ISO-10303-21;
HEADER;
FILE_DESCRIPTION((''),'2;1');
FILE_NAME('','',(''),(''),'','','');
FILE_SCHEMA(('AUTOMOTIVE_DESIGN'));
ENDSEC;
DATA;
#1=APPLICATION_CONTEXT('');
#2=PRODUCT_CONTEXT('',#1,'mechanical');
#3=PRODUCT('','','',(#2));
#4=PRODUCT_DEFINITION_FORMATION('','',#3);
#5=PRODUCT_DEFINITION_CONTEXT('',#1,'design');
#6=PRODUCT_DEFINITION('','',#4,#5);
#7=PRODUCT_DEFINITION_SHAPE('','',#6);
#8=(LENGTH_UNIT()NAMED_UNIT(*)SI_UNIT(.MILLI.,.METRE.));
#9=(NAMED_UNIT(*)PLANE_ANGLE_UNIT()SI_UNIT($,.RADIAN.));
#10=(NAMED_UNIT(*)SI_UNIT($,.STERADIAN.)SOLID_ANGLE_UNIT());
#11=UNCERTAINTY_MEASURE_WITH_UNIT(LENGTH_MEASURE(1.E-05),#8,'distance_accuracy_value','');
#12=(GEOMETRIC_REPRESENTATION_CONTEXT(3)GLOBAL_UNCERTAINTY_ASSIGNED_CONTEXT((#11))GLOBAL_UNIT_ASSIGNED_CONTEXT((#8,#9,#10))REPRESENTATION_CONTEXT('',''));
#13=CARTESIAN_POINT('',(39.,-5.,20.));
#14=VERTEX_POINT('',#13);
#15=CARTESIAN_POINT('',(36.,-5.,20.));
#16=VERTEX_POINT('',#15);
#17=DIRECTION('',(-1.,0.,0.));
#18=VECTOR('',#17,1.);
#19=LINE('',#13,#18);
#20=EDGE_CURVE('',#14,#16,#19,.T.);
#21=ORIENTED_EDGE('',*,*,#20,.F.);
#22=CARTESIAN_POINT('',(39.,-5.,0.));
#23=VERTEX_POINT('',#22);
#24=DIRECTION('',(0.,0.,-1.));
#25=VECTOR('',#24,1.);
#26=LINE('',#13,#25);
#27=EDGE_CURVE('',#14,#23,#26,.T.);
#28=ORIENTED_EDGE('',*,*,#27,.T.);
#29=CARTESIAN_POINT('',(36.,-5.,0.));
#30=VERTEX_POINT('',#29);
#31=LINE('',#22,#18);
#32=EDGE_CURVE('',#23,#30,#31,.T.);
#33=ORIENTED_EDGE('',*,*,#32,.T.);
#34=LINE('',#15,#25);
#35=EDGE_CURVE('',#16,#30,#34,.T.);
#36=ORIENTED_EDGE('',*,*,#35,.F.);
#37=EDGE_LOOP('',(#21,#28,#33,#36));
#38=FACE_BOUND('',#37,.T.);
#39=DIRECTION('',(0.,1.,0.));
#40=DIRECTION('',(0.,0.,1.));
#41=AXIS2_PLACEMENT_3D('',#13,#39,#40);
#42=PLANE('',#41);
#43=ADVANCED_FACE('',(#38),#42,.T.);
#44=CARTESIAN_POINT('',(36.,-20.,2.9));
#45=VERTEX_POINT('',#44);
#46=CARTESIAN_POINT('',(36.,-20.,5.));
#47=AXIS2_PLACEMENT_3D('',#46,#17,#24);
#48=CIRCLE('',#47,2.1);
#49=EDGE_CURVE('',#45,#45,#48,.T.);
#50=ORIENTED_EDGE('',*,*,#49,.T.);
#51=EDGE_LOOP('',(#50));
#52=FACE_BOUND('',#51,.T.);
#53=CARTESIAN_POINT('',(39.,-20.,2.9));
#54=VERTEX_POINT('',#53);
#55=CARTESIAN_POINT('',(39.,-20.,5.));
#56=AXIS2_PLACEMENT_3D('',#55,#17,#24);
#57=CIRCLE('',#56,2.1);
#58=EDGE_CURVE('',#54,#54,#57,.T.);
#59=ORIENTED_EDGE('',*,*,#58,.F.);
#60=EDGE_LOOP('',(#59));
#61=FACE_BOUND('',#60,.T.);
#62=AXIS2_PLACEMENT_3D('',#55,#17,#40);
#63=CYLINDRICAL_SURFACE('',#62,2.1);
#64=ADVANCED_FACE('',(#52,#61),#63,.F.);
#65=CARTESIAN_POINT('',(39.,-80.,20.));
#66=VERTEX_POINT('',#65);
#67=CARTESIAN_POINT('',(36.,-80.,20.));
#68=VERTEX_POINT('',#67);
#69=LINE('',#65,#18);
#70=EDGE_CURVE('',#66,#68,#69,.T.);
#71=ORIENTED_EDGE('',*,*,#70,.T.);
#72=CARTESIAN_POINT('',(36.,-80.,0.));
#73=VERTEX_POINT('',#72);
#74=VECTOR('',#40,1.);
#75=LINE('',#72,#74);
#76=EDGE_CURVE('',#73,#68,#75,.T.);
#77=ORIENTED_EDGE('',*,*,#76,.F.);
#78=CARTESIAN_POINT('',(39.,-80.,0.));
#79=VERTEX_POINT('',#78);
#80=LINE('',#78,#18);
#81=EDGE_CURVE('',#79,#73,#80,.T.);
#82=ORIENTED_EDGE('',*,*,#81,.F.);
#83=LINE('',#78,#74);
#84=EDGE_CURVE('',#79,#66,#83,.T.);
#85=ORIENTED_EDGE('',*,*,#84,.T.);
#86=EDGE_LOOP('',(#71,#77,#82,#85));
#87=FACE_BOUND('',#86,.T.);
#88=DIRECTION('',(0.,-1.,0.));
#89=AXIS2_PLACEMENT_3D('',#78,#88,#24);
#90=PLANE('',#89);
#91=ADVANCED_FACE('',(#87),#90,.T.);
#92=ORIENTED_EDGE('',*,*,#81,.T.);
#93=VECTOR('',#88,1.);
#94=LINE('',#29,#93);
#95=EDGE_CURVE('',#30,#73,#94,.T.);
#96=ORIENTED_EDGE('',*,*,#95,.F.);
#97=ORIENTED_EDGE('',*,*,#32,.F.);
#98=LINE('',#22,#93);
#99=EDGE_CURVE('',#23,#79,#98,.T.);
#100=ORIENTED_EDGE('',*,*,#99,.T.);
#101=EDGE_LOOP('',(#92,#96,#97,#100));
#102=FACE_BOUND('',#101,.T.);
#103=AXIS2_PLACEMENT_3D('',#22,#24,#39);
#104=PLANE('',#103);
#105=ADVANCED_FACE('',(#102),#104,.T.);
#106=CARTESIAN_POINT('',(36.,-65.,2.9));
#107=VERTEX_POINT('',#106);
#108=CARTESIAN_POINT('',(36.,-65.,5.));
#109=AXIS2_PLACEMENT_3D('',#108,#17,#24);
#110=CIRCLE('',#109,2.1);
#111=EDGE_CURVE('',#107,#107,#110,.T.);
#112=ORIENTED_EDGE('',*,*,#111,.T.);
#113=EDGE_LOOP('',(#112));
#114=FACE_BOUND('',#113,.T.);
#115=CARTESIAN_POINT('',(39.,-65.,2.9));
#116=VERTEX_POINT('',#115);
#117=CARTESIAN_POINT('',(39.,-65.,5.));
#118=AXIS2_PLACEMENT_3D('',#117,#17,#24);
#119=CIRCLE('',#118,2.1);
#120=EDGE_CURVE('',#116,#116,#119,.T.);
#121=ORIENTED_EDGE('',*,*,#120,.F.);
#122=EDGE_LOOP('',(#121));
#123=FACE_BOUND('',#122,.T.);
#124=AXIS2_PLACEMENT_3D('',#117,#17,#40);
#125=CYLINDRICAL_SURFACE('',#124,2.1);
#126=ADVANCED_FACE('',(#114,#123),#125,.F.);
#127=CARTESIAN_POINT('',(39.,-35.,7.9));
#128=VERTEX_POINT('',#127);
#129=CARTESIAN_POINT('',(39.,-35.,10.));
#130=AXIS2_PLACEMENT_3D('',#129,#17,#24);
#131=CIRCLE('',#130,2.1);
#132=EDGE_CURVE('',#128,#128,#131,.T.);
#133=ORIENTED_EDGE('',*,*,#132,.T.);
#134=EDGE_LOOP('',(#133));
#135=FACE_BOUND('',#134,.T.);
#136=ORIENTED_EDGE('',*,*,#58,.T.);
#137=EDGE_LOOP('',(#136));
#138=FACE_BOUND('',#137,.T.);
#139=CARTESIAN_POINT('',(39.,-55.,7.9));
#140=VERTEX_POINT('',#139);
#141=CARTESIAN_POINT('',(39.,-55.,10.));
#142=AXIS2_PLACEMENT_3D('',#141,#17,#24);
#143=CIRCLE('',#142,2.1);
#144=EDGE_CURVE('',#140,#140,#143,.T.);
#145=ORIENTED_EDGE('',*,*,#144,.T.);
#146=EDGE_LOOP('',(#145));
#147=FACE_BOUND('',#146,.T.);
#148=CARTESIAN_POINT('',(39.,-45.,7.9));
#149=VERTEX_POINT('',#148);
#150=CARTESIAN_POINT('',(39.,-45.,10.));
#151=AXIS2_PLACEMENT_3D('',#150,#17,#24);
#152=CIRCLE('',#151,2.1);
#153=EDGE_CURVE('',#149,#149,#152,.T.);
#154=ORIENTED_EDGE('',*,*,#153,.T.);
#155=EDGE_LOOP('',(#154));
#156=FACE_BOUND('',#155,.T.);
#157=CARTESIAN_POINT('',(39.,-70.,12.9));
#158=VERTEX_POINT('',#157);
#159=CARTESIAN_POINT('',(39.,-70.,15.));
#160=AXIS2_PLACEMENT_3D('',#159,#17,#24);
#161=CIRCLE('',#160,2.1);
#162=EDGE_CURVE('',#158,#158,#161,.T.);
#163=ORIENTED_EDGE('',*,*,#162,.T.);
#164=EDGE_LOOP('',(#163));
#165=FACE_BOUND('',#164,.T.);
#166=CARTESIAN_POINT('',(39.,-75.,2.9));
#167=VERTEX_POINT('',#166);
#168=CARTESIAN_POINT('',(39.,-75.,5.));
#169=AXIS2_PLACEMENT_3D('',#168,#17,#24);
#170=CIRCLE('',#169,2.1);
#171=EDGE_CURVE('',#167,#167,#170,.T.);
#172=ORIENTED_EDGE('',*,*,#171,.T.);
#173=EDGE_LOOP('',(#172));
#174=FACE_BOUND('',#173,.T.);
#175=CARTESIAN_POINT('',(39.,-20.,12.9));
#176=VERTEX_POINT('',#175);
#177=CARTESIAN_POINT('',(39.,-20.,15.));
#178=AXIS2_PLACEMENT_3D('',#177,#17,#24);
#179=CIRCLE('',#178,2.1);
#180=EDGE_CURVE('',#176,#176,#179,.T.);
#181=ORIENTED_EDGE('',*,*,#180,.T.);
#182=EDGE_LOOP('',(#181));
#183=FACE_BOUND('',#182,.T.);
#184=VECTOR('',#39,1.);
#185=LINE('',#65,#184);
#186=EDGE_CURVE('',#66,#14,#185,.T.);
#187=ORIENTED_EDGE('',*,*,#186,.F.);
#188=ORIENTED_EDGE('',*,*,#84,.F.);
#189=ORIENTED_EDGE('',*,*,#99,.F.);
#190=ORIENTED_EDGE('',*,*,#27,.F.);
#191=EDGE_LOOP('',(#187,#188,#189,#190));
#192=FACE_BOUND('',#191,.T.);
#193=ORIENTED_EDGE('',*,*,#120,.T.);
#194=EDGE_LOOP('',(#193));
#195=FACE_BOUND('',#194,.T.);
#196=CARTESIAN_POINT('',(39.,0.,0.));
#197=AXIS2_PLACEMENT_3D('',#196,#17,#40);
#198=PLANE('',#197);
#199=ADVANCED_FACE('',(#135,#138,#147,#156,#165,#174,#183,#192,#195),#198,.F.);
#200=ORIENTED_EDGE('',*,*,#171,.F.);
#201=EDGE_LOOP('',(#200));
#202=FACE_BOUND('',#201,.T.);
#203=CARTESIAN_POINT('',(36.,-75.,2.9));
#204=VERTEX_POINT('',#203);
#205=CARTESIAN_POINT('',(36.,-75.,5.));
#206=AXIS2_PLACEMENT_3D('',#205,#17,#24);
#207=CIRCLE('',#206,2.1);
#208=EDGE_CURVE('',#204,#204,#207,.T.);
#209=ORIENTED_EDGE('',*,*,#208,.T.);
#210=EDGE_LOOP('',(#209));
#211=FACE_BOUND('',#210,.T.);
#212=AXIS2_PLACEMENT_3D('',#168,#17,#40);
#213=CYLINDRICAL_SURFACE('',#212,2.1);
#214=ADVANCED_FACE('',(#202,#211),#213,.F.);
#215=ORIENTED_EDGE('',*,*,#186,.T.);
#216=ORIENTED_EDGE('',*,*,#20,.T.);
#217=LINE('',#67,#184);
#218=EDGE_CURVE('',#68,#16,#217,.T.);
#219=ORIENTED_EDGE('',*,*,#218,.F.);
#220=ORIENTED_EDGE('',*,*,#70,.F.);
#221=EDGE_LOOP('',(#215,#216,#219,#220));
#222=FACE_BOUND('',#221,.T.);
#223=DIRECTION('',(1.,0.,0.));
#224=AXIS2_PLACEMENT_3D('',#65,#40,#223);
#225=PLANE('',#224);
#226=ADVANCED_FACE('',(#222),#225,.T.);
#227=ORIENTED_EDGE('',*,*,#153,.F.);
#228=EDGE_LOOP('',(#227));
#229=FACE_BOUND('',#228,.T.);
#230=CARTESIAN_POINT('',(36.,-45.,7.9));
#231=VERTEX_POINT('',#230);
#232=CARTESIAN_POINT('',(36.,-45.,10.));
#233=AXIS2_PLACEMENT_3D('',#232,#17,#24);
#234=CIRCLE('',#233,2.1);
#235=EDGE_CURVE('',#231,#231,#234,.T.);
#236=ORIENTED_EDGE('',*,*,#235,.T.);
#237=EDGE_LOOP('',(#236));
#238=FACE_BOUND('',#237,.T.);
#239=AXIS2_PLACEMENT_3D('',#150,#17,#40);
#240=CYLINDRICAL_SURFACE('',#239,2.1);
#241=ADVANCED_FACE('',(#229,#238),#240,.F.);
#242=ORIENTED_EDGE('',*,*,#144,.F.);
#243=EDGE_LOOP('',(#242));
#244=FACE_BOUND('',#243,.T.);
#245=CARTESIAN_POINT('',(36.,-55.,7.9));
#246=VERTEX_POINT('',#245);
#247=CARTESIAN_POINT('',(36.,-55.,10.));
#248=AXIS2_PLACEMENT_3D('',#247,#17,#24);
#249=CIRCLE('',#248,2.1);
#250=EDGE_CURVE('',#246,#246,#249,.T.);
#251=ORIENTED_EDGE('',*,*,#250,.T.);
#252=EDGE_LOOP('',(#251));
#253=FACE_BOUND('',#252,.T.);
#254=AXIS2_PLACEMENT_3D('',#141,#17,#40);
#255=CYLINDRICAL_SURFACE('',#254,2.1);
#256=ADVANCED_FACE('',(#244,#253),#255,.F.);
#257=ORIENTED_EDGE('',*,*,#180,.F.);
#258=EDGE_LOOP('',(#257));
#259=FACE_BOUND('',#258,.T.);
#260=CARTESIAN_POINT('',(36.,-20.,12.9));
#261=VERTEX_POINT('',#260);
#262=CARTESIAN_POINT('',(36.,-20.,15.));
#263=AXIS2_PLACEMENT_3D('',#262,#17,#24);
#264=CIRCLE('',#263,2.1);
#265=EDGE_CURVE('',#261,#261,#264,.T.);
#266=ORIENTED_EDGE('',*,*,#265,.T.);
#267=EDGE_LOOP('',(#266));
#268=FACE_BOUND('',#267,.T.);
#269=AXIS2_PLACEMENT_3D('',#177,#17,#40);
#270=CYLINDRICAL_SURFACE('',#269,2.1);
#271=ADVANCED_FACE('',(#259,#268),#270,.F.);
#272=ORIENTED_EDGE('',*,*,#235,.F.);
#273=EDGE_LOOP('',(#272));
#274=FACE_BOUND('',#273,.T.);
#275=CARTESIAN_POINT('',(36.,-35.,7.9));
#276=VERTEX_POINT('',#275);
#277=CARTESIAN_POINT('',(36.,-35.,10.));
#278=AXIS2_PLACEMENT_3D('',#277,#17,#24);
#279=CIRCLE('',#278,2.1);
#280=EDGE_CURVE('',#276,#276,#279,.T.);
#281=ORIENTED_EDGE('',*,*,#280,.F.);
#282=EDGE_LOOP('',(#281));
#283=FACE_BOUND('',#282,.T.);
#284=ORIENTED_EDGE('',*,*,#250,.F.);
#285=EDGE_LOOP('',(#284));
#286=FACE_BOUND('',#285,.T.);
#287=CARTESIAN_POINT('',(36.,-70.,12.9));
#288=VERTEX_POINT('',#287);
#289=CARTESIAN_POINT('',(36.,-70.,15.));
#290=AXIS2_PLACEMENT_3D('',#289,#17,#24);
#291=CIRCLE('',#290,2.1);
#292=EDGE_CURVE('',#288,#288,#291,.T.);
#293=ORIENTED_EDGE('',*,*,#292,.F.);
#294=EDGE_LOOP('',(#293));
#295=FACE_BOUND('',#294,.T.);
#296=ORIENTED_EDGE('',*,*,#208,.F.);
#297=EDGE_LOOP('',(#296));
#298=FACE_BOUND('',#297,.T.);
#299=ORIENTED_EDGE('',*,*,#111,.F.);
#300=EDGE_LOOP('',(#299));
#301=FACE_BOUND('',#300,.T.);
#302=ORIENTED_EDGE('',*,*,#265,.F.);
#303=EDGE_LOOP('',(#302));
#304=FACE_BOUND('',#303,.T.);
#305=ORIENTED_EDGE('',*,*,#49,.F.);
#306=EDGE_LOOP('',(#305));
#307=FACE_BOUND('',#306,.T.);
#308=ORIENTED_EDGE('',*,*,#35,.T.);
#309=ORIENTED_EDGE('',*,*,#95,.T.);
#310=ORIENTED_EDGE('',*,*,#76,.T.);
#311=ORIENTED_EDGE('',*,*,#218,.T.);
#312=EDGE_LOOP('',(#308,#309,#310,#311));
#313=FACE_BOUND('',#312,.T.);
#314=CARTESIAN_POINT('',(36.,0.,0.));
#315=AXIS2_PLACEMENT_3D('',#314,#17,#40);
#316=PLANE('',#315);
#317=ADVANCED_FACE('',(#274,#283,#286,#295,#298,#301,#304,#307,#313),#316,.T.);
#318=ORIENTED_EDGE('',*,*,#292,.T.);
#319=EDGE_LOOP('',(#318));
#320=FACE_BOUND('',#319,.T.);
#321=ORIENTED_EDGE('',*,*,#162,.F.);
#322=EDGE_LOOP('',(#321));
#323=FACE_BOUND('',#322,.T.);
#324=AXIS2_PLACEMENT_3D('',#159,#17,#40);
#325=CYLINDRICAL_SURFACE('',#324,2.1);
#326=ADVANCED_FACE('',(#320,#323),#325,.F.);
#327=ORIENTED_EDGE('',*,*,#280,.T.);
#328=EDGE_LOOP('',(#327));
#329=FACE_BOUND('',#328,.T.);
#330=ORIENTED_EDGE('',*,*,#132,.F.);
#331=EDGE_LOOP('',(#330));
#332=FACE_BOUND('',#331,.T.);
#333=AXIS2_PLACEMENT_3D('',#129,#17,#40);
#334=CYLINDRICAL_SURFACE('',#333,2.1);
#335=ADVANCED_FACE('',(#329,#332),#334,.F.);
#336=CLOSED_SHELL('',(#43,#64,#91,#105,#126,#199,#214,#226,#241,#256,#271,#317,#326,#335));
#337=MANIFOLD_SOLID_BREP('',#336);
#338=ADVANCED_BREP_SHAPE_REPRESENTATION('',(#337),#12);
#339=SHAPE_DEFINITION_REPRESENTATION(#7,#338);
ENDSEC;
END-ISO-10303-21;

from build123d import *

# Parameters (mm, degrees)
SKETCH_1_W      = 75
SKETCH_1_H      = 20
SKETCH_1_R      = 2.1
EXTRUDE_1_DEPTH = 3


with BuildPart() as part:
    # 草图1 → 凸台-拉伸1 (new body)
    with BuildSketch(Plane(origin=(36, 0, 0), x_dir=(0, -1, 0), z_dir=(-1, 0, 0))):
        with Locations((42.5, 10)):
            Rectangle(SKETCH_1_W, SKETCH_1_H)
        with Locations(Location((20, 15, 0), (0, 0, 270))):
            Circle(SKETCH_1_R, mode=Mode.SUBTRACT)
        with Locations(Location((55, 10, 0), (0, 0, 270))):
            Circle(SKETCH_1_R, mode=Mode.SUBTRACT)
        with Locations(Location((45, 10, 0), (0, 0, 270))):
            Circle(SKETCH_1_R, mode=Mode.SUBTRACT)
        with Locations(Location((35, 10, 0), (0, 0, 270))):
            Circle(SKETCH_1_R, mode=Mode.SUBTRACT)
        with Locations(Location((20, 5, 0), (0, 0, 270))):
            Circle(SKETCH_1_R, mode=Mode.SUBTRACT)
        with Locations(Location((75, 5, 0), (0, 0, 270))):
            Circle(SKETCH_1_R, mode=Mode.SUBTRACT)
        with Locations(Location((70, 15, 0), (0, 0, 270))):
            Circle(SKETCH_1_R, mode=Mode.SUBTRACT)
        with Locations(Location((65, 5, 0), (0, 0, 270))):
            Circle(SKETCH_1_R, mode=Mode.SUBTRACT)
    extrude(amount=-EXTRUDE_1_DEPTH)


solid = part.part
